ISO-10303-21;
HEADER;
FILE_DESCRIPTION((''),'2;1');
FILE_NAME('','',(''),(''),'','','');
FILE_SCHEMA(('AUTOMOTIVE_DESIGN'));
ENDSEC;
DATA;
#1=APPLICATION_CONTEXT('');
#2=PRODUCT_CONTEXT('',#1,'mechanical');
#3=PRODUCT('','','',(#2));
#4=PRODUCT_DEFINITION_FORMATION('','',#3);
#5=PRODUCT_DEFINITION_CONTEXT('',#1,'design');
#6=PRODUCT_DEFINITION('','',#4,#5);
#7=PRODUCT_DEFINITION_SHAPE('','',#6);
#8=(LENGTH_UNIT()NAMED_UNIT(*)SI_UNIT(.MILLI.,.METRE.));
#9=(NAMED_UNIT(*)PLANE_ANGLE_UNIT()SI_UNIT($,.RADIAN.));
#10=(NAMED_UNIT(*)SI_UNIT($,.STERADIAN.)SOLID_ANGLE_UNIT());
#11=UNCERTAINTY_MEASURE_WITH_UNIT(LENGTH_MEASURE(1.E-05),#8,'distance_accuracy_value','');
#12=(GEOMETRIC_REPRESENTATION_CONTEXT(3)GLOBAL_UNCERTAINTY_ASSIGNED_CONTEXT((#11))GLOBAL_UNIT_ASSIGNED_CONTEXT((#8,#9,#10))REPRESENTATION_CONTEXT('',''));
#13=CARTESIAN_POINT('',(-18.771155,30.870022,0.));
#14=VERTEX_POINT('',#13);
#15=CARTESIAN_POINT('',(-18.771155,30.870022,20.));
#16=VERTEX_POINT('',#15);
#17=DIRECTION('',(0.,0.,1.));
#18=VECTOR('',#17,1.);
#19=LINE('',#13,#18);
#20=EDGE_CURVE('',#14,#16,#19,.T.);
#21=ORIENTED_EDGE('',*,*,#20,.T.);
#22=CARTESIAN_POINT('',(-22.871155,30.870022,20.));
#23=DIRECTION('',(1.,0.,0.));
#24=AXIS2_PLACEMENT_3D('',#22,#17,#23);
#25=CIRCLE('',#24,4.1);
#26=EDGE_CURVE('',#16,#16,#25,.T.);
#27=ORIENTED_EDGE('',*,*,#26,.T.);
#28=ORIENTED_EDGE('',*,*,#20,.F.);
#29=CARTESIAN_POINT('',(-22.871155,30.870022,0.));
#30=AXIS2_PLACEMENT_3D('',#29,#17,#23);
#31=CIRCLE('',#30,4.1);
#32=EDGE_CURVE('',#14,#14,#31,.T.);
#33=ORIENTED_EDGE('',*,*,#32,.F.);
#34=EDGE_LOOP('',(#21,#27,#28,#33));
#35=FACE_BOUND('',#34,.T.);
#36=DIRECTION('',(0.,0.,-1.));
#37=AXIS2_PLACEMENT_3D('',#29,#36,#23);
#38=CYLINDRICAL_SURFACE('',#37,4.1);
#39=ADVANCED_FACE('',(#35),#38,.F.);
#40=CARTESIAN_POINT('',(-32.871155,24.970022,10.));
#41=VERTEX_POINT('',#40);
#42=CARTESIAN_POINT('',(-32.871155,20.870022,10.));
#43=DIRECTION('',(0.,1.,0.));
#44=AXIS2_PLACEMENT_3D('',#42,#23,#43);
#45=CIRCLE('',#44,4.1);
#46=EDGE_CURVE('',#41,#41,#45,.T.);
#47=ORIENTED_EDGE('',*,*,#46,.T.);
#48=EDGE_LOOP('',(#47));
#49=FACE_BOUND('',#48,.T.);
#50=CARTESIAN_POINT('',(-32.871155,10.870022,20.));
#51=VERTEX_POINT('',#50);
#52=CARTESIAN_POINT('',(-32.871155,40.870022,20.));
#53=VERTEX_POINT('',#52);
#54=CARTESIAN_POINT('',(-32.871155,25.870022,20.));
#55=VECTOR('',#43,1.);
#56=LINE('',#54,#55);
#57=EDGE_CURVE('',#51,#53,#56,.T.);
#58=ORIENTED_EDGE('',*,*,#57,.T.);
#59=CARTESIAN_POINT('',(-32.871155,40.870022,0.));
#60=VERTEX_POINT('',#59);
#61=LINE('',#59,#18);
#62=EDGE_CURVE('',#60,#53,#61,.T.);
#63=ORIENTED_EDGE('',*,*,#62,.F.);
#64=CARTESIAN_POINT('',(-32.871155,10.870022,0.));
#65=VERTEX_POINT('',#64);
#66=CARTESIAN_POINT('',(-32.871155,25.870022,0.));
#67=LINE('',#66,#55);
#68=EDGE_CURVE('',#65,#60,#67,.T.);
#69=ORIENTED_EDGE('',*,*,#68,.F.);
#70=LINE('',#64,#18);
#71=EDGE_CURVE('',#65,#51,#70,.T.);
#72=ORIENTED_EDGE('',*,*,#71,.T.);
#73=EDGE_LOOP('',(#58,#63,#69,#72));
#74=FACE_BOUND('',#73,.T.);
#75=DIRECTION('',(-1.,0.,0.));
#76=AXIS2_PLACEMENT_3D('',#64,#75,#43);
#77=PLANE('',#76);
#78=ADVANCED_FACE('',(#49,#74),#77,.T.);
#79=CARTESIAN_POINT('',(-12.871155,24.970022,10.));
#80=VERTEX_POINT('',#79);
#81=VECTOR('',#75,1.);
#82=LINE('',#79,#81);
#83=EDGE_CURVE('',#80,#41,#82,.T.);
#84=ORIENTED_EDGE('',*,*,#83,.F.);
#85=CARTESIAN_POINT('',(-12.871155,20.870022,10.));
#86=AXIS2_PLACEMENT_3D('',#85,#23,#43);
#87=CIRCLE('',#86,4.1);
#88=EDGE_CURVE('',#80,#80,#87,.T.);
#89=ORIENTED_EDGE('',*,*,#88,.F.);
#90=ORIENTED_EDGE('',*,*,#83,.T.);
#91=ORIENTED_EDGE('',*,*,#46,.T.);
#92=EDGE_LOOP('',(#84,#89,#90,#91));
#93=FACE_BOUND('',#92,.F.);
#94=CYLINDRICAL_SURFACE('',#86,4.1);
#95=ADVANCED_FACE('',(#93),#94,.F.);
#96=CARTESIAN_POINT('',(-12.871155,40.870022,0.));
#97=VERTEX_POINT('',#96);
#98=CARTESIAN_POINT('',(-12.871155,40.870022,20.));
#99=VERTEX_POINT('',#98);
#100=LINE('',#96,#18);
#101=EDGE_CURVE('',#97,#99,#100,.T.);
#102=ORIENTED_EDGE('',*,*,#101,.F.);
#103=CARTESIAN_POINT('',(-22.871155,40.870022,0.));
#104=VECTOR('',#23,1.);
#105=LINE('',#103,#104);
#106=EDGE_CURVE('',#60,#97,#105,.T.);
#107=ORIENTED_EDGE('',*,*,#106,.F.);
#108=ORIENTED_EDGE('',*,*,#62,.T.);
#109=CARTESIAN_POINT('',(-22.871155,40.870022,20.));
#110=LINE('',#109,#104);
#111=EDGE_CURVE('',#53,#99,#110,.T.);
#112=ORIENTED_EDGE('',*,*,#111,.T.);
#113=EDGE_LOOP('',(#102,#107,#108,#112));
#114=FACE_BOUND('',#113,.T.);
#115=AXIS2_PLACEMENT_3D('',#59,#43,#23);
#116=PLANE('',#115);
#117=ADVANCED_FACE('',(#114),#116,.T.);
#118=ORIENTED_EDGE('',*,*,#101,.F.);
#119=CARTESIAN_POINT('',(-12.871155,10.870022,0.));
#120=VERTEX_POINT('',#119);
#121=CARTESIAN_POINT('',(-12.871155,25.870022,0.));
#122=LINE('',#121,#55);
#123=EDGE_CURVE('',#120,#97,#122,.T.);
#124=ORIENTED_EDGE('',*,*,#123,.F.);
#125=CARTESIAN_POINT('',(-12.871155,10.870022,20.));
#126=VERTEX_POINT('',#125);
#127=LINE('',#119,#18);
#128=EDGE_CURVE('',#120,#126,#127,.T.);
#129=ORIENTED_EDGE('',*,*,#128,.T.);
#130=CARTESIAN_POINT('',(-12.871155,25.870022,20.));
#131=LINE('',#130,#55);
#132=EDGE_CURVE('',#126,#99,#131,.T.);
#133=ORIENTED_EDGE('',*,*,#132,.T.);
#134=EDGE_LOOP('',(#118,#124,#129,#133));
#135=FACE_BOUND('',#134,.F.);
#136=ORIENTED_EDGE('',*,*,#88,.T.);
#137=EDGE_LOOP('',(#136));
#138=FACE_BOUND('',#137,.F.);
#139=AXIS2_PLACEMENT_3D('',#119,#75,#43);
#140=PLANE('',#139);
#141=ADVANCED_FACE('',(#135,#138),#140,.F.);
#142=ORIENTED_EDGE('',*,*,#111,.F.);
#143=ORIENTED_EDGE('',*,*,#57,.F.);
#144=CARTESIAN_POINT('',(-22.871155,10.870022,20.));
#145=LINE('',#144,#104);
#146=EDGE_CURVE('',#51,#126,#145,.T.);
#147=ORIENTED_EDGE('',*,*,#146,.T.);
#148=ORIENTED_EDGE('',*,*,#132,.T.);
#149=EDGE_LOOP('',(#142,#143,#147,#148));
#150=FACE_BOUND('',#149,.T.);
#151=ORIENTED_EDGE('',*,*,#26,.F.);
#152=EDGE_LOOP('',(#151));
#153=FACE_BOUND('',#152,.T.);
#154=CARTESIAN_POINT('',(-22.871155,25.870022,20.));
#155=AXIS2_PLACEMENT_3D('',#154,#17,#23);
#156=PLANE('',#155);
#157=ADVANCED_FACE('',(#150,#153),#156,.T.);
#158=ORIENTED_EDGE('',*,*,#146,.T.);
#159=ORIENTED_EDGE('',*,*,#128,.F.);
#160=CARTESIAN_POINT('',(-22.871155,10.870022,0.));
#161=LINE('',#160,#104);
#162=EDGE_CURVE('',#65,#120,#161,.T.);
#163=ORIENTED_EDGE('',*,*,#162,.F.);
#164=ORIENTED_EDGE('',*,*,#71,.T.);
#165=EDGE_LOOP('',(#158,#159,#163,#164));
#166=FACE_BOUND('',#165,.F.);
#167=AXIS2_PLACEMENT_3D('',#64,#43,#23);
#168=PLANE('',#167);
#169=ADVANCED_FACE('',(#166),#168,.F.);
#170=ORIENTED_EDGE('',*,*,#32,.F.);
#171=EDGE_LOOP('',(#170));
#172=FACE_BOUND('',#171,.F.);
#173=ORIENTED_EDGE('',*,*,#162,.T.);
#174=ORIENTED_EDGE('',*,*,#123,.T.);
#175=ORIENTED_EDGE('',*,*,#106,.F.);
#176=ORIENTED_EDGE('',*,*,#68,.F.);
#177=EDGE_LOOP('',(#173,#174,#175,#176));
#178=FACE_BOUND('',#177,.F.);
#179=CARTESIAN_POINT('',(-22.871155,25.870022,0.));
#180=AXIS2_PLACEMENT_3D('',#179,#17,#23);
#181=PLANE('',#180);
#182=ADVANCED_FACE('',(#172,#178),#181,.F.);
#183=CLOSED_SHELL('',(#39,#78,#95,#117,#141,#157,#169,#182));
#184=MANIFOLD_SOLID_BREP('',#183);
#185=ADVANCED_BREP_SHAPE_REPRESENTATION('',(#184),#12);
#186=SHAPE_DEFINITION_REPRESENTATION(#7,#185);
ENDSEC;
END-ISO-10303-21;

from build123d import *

# Parameters (mm, degrees)
SKETCH_W     = 20
SKETCH_H     = 30
SKETCH_R     = 4.1
PAD_DEPTH    = 20
SKETCH001_R  = 4.1
POCKET_DEPTH = 20


with BuildPart() as part:
    # Sketch → Pad (new body)
    with BuildSketch(Plane.XY):
        with Locations((-22.871155, 25.870022)):
            Rectangle(SKETCH_W, SKETCH_H)
        with Locations((-22.871155, 30.870022)):
            Circle(SKETCH_R, mode=Mode.SUBTRACT)
    extrude(amount=PAD_DEPTH)

    # Sketch001 → Pocket (cut)
    with BuildSketch(Plane.YZ.offset(-12.871155)):
        with Locations((20.870022, 10)):
            Circle(SKETCH001_R)
    extrude(amount=-POCKET_DEPTH, mode=Mode.SUBTRACT)


solid = part.part
